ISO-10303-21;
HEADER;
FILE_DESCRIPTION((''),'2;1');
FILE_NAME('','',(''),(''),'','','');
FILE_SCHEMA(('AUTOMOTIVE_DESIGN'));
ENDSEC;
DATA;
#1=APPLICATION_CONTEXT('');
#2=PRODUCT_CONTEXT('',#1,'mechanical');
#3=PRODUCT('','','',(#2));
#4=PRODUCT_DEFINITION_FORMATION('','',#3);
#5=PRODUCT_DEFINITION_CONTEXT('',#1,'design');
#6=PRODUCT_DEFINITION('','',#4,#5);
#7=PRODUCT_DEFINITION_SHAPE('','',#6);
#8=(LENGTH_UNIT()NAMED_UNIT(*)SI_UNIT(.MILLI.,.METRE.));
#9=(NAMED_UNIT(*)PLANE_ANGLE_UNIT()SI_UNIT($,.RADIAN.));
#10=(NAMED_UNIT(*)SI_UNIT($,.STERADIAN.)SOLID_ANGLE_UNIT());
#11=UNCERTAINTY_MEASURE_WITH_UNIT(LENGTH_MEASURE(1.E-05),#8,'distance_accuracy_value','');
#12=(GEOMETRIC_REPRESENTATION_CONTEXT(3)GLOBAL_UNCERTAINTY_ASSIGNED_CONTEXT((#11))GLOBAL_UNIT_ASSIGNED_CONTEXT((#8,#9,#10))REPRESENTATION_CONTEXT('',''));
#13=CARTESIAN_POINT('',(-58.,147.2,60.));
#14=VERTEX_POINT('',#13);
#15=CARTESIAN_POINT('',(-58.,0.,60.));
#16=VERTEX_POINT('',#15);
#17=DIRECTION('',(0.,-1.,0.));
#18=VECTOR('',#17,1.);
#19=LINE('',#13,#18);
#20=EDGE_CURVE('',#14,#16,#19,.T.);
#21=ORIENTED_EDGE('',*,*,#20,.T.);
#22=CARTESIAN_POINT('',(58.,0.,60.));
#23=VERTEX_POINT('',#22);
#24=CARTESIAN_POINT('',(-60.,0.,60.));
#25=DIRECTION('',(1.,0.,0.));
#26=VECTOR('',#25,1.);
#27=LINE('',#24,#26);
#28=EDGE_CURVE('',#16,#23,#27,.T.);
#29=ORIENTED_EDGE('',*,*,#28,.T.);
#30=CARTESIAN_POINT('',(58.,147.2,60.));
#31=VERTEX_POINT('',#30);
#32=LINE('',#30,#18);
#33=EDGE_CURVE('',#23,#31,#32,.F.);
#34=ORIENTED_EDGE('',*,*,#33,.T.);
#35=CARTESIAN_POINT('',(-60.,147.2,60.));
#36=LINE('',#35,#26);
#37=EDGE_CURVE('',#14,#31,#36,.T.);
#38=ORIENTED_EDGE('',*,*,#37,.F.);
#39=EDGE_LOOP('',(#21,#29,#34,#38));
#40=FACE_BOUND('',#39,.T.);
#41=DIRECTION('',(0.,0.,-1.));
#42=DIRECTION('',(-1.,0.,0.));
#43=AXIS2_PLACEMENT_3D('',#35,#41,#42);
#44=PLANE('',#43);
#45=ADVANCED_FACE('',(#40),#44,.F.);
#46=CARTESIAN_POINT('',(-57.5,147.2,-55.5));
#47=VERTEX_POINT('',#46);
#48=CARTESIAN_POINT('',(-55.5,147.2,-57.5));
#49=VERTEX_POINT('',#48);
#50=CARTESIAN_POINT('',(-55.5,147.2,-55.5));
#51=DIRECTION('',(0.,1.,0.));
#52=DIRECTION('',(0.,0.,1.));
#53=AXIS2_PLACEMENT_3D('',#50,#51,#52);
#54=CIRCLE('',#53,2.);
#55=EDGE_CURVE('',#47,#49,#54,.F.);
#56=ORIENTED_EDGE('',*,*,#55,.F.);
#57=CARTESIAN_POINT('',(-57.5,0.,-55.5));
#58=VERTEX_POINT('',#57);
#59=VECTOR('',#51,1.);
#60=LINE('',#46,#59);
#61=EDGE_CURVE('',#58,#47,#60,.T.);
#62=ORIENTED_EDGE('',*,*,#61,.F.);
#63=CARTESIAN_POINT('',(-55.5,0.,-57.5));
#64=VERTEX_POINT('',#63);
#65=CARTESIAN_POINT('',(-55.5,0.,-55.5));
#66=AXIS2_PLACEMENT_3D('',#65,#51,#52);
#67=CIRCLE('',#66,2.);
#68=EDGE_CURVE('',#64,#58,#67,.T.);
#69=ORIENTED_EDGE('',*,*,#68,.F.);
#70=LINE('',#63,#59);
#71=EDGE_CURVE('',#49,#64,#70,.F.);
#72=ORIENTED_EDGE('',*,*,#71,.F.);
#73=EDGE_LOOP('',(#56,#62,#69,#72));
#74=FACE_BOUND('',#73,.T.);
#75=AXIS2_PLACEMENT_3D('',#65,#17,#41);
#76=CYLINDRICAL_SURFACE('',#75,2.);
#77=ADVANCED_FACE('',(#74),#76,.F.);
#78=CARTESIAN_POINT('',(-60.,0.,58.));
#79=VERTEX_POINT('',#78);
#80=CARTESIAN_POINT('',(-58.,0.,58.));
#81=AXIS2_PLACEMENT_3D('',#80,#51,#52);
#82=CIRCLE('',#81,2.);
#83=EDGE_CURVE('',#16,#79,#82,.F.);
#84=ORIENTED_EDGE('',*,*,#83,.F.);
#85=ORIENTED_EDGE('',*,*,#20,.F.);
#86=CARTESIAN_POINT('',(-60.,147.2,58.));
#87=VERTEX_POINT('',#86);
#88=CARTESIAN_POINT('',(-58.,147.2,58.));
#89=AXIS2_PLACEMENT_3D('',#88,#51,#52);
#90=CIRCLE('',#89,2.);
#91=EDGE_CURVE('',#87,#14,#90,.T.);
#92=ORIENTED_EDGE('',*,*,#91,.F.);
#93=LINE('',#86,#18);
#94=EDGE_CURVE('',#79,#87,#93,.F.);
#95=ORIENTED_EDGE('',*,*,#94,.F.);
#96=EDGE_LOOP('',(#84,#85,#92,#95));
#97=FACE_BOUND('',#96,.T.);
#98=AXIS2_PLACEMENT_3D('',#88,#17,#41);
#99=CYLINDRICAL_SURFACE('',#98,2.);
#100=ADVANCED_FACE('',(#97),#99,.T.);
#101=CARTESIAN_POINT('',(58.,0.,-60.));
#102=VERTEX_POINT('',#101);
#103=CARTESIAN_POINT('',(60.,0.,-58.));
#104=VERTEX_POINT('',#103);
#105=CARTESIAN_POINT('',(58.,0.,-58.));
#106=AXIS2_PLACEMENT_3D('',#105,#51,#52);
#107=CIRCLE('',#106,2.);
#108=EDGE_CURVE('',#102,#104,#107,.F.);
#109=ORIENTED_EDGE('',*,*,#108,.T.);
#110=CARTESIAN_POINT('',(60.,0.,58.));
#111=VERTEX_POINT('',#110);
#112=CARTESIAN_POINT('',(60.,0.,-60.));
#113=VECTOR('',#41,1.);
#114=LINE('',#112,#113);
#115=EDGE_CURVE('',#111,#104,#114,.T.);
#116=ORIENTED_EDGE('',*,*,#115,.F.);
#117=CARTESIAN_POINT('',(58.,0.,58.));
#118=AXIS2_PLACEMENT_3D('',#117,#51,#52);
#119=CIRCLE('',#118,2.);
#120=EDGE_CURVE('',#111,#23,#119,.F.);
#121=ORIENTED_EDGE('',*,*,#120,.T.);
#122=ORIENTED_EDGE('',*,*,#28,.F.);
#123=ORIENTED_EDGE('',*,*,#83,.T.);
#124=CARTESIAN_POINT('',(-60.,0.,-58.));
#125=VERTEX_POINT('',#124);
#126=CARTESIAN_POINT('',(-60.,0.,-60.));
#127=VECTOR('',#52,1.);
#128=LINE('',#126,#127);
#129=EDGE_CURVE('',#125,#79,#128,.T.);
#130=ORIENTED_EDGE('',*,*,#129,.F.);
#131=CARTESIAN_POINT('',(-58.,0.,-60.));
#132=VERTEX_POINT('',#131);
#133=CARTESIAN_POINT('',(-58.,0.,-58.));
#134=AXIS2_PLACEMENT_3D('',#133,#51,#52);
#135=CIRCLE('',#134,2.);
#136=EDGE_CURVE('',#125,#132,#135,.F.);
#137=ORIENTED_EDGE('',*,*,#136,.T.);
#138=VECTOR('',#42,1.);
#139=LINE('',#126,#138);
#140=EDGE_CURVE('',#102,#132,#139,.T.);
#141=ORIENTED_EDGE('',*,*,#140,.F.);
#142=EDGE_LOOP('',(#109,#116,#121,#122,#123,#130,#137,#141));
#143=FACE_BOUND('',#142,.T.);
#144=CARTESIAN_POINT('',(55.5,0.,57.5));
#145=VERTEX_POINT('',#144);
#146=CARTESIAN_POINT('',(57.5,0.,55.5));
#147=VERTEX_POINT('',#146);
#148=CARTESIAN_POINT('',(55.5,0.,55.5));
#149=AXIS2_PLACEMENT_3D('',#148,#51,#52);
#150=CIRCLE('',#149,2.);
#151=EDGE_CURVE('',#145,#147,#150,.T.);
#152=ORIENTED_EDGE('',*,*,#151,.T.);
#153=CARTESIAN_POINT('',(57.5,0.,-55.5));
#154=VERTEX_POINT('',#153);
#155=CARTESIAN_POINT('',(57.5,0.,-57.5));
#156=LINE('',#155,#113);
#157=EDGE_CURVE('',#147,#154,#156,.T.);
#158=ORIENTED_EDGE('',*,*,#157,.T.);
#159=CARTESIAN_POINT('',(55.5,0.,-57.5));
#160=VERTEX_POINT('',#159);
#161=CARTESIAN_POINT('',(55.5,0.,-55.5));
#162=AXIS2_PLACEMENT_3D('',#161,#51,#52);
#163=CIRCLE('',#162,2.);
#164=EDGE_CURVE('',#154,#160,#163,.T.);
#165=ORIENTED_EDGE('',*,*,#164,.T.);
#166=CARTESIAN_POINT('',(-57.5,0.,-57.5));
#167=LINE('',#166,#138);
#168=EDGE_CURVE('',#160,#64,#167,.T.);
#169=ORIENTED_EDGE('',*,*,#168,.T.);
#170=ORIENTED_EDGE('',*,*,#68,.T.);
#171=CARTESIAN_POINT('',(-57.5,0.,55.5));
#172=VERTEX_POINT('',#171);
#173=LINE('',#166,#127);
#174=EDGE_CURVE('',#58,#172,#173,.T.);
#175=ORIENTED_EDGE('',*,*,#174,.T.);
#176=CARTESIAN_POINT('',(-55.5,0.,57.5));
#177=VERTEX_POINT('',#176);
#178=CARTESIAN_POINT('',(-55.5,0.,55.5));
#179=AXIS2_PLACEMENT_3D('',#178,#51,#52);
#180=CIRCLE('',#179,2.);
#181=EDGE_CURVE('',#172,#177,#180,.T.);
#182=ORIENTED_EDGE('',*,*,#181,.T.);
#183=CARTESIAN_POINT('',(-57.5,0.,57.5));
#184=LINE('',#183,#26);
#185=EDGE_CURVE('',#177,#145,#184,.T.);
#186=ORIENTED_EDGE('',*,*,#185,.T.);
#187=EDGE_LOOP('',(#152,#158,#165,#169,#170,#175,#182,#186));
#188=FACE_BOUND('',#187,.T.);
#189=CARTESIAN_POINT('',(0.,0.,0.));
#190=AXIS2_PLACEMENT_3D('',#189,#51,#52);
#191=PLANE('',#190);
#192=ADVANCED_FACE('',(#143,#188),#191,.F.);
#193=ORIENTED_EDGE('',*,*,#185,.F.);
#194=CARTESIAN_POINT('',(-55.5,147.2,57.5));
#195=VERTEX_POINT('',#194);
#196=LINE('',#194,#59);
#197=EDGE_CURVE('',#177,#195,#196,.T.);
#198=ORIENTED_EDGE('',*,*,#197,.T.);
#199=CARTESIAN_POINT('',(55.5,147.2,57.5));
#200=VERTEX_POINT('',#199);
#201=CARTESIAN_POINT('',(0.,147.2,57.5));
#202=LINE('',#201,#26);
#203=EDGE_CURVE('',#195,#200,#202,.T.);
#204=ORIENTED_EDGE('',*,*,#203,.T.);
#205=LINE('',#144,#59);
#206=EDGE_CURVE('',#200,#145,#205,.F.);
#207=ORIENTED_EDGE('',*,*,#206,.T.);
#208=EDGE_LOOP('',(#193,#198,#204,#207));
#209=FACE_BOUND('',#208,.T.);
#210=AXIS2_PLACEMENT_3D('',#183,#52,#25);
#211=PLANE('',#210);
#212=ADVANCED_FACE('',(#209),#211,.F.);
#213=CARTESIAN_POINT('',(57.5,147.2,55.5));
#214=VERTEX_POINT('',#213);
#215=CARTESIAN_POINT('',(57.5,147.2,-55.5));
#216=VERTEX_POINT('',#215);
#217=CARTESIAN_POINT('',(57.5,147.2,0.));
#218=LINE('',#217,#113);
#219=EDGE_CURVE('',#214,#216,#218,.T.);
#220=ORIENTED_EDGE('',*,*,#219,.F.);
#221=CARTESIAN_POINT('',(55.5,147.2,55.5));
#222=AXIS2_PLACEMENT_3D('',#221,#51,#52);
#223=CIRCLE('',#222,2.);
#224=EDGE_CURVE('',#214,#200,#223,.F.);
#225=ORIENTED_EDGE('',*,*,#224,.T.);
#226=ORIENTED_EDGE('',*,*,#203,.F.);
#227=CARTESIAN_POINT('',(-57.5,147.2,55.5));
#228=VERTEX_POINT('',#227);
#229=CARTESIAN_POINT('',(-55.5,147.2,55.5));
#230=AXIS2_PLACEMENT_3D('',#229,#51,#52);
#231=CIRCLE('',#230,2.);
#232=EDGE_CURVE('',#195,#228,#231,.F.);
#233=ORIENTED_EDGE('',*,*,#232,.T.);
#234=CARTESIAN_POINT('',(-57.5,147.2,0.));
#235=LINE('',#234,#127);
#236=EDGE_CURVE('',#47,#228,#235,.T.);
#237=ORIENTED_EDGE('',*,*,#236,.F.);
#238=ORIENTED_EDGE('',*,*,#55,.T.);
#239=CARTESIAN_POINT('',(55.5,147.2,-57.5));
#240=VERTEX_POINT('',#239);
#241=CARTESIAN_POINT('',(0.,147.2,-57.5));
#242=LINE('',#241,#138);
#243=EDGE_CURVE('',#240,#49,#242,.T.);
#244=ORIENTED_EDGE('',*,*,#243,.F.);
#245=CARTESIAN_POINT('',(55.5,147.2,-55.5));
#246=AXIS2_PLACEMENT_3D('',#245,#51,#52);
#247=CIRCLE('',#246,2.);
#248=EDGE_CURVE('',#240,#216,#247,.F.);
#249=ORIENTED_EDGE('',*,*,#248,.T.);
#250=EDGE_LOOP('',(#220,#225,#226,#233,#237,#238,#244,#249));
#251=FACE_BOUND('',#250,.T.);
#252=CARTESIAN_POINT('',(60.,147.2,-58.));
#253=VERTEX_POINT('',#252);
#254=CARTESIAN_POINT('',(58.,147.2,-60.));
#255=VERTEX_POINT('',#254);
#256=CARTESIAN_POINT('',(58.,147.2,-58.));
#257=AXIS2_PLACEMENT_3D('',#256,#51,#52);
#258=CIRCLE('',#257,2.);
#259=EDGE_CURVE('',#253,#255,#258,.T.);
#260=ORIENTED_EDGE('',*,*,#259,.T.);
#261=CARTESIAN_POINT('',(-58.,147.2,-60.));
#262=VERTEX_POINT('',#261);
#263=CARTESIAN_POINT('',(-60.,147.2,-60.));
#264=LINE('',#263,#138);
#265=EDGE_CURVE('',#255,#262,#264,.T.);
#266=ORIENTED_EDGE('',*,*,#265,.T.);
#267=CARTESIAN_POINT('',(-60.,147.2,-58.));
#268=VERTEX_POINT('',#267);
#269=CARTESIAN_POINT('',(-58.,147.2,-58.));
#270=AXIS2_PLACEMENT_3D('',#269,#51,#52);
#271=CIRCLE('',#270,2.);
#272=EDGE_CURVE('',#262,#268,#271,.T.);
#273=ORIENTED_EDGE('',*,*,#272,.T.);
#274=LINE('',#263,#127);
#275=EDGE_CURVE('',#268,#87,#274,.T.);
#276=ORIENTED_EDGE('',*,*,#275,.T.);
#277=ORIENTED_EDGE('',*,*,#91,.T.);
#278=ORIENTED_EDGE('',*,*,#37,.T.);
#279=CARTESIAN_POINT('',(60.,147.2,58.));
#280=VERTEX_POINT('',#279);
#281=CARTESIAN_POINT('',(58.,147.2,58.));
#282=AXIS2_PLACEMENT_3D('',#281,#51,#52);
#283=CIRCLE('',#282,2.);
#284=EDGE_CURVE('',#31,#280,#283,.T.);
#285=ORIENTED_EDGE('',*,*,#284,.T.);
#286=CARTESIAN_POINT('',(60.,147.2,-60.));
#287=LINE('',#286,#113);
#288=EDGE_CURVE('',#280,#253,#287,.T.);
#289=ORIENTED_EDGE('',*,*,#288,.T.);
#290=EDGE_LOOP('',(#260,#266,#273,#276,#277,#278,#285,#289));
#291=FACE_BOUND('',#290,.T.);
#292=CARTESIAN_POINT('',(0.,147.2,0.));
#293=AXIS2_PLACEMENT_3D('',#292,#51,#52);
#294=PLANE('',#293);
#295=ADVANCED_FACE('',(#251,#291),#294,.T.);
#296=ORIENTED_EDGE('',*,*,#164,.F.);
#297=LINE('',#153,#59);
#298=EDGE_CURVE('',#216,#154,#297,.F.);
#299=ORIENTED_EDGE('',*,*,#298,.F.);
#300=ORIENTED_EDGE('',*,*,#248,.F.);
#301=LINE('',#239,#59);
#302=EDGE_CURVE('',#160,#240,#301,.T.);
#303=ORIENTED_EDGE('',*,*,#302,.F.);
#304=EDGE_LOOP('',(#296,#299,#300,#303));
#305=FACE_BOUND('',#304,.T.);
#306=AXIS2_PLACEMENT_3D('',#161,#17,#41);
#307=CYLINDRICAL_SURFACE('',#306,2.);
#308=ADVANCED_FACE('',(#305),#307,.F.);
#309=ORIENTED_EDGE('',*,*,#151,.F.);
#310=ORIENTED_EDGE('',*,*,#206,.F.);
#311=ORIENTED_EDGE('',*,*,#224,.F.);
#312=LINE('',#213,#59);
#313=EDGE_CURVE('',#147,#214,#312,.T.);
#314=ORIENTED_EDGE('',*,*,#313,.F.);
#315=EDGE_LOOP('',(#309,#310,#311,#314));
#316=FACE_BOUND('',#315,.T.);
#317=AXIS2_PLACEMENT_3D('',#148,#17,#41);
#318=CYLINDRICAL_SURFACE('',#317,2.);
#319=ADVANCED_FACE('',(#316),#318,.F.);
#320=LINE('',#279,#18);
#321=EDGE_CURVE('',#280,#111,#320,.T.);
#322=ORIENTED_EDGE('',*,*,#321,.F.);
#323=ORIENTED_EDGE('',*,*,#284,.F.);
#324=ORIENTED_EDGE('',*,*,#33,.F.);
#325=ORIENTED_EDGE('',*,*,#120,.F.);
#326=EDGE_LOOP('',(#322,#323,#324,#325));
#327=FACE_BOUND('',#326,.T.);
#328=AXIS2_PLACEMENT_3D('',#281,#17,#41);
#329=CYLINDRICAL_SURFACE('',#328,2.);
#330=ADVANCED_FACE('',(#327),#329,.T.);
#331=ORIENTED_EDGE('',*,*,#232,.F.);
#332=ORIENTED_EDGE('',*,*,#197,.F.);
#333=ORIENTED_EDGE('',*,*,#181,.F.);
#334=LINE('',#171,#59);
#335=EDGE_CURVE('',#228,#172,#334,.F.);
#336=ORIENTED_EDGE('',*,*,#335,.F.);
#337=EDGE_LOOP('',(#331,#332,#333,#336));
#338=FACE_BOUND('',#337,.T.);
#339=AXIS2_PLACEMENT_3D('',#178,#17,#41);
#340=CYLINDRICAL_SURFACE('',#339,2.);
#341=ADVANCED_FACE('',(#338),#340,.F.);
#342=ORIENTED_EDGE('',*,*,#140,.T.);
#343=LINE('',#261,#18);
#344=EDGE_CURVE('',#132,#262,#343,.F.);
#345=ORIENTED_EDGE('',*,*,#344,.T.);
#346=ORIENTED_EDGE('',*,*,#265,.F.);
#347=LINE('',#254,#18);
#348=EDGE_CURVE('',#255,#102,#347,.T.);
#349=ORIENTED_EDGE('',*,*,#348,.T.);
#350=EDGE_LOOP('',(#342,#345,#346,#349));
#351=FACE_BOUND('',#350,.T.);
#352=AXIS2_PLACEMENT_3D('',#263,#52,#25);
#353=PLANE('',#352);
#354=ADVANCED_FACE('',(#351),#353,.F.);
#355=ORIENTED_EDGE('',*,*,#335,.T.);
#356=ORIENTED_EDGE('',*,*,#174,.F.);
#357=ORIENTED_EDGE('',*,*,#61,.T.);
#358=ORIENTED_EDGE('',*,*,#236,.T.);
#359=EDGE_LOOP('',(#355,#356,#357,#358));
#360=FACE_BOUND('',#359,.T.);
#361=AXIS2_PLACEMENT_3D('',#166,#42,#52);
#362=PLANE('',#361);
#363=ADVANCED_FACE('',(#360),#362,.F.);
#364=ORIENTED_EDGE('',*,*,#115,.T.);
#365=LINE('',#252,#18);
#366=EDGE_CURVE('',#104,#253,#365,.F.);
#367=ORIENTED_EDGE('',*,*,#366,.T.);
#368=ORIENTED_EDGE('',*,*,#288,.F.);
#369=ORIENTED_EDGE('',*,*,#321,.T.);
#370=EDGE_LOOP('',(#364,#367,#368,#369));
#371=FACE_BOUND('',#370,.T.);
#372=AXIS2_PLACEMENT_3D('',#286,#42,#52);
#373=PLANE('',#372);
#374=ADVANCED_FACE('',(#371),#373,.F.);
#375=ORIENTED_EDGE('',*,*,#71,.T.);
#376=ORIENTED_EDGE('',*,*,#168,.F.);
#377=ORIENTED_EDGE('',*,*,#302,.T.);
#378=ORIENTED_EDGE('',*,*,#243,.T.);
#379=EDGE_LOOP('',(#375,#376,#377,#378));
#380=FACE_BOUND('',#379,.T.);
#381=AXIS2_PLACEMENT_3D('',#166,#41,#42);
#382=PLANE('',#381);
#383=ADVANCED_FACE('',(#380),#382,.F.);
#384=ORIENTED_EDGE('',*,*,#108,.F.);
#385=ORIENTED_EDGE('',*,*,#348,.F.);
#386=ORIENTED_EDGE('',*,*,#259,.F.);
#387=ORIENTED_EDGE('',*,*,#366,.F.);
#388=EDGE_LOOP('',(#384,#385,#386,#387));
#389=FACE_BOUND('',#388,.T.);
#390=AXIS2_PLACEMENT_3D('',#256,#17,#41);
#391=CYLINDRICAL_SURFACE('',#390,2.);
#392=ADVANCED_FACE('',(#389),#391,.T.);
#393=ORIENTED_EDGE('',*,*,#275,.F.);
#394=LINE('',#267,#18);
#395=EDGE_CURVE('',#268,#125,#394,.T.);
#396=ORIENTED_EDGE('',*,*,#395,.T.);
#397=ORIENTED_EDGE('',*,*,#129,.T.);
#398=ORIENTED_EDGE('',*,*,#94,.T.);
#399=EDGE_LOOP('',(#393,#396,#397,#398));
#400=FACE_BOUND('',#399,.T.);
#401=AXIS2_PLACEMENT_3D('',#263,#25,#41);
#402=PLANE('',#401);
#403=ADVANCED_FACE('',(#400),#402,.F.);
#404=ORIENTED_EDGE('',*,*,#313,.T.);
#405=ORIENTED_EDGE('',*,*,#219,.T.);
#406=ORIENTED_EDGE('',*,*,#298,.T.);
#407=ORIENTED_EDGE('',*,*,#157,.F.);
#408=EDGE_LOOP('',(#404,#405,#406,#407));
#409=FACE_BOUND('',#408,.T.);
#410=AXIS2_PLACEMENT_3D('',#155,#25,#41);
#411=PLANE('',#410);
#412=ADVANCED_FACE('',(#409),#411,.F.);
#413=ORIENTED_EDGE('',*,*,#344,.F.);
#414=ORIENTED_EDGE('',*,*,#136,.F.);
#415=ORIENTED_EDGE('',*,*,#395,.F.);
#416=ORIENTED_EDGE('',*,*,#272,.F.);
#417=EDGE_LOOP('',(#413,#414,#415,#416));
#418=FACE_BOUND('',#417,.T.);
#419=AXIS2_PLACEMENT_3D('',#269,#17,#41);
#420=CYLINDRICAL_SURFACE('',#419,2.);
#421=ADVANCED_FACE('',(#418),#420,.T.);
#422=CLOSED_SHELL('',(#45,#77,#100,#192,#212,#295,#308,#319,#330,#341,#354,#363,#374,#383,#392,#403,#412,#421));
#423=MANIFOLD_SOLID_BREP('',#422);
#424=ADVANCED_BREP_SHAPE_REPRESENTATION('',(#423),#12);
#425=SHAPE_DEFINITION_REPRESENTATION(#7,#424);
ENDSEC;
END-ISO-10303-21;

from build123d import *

# Parameters (mm, degrees)
ESBO_O2_W                  = 120
ESBO_O2_H                  = 120
RESSALTO_EXTRUS_O1_DEPTH   = 147.2
CORTE_EXTRUS_O1_DEPTH      = 170.905385436
CORTE_EXTRUS_O1_DEPTH_BACK = 170.905385436
ESBO_O3_W                  = 115
ESBO_O3_H                  = 115
FILETE1_R                  = 2
FILETE2_R                  = 2


with BuildPart() as part:
    # Esboço2 → Ressalto-extrusão1 (new body)
    with BuildSketch(Plane(origin=(0, 0, 0), x_dir=(1, 0, 0), z_dir=(0, 1, 0))):
        Rectangle(ESBO_O2_W, ESBO_O2_H)
    extrude(amount=RESSALTO_EXTRUS_O1_DEPTH)

    # Esboço3 → Corte-extrusão1 (cut, two sides: drawn at the far end of the back side and taken through both)
    with BuildSketch(Plane(origin=(0, 147.2, 0), x_dir=(1, 0, 0), z_dir=(0, 1, 0)).offset(-CORTE_EXTRUS_O1_DEPTH_BACK)):
        Rectangle(ESBO_O3_W, ESBO_O3_H)
    extrude(amount=CORTE_EXTRUS_O1_DEPTH + CORTE_EXTRUS_O1_DEPTH_BACK, mode=Mode.SUBTRACT)

    # Filete1
    filete1_edges = [part.edges().sort_by_distance(p)[0] for p in [
        (60, 73.6, 60),
        (-60, 73.6, 60),
        (-60, 73.6, -60),
        (60, 73.6, -60),
    ]]
    fillet(filete1_edges, radius=FILETE1_R)

    # Filete2
    filete2_edges = [part.edges().sort_by_distance(p)[0] for p in [
        (57.5, 73.6, -57.5),
        (57.5, 73.6, 57.5),
        (-57.5, 73.6, 57.5),
        (-57.5, 73.6, -57.5),
    ]]
    fillet(filete2_edges, radius=FILETE2_R)


solid = part.part
